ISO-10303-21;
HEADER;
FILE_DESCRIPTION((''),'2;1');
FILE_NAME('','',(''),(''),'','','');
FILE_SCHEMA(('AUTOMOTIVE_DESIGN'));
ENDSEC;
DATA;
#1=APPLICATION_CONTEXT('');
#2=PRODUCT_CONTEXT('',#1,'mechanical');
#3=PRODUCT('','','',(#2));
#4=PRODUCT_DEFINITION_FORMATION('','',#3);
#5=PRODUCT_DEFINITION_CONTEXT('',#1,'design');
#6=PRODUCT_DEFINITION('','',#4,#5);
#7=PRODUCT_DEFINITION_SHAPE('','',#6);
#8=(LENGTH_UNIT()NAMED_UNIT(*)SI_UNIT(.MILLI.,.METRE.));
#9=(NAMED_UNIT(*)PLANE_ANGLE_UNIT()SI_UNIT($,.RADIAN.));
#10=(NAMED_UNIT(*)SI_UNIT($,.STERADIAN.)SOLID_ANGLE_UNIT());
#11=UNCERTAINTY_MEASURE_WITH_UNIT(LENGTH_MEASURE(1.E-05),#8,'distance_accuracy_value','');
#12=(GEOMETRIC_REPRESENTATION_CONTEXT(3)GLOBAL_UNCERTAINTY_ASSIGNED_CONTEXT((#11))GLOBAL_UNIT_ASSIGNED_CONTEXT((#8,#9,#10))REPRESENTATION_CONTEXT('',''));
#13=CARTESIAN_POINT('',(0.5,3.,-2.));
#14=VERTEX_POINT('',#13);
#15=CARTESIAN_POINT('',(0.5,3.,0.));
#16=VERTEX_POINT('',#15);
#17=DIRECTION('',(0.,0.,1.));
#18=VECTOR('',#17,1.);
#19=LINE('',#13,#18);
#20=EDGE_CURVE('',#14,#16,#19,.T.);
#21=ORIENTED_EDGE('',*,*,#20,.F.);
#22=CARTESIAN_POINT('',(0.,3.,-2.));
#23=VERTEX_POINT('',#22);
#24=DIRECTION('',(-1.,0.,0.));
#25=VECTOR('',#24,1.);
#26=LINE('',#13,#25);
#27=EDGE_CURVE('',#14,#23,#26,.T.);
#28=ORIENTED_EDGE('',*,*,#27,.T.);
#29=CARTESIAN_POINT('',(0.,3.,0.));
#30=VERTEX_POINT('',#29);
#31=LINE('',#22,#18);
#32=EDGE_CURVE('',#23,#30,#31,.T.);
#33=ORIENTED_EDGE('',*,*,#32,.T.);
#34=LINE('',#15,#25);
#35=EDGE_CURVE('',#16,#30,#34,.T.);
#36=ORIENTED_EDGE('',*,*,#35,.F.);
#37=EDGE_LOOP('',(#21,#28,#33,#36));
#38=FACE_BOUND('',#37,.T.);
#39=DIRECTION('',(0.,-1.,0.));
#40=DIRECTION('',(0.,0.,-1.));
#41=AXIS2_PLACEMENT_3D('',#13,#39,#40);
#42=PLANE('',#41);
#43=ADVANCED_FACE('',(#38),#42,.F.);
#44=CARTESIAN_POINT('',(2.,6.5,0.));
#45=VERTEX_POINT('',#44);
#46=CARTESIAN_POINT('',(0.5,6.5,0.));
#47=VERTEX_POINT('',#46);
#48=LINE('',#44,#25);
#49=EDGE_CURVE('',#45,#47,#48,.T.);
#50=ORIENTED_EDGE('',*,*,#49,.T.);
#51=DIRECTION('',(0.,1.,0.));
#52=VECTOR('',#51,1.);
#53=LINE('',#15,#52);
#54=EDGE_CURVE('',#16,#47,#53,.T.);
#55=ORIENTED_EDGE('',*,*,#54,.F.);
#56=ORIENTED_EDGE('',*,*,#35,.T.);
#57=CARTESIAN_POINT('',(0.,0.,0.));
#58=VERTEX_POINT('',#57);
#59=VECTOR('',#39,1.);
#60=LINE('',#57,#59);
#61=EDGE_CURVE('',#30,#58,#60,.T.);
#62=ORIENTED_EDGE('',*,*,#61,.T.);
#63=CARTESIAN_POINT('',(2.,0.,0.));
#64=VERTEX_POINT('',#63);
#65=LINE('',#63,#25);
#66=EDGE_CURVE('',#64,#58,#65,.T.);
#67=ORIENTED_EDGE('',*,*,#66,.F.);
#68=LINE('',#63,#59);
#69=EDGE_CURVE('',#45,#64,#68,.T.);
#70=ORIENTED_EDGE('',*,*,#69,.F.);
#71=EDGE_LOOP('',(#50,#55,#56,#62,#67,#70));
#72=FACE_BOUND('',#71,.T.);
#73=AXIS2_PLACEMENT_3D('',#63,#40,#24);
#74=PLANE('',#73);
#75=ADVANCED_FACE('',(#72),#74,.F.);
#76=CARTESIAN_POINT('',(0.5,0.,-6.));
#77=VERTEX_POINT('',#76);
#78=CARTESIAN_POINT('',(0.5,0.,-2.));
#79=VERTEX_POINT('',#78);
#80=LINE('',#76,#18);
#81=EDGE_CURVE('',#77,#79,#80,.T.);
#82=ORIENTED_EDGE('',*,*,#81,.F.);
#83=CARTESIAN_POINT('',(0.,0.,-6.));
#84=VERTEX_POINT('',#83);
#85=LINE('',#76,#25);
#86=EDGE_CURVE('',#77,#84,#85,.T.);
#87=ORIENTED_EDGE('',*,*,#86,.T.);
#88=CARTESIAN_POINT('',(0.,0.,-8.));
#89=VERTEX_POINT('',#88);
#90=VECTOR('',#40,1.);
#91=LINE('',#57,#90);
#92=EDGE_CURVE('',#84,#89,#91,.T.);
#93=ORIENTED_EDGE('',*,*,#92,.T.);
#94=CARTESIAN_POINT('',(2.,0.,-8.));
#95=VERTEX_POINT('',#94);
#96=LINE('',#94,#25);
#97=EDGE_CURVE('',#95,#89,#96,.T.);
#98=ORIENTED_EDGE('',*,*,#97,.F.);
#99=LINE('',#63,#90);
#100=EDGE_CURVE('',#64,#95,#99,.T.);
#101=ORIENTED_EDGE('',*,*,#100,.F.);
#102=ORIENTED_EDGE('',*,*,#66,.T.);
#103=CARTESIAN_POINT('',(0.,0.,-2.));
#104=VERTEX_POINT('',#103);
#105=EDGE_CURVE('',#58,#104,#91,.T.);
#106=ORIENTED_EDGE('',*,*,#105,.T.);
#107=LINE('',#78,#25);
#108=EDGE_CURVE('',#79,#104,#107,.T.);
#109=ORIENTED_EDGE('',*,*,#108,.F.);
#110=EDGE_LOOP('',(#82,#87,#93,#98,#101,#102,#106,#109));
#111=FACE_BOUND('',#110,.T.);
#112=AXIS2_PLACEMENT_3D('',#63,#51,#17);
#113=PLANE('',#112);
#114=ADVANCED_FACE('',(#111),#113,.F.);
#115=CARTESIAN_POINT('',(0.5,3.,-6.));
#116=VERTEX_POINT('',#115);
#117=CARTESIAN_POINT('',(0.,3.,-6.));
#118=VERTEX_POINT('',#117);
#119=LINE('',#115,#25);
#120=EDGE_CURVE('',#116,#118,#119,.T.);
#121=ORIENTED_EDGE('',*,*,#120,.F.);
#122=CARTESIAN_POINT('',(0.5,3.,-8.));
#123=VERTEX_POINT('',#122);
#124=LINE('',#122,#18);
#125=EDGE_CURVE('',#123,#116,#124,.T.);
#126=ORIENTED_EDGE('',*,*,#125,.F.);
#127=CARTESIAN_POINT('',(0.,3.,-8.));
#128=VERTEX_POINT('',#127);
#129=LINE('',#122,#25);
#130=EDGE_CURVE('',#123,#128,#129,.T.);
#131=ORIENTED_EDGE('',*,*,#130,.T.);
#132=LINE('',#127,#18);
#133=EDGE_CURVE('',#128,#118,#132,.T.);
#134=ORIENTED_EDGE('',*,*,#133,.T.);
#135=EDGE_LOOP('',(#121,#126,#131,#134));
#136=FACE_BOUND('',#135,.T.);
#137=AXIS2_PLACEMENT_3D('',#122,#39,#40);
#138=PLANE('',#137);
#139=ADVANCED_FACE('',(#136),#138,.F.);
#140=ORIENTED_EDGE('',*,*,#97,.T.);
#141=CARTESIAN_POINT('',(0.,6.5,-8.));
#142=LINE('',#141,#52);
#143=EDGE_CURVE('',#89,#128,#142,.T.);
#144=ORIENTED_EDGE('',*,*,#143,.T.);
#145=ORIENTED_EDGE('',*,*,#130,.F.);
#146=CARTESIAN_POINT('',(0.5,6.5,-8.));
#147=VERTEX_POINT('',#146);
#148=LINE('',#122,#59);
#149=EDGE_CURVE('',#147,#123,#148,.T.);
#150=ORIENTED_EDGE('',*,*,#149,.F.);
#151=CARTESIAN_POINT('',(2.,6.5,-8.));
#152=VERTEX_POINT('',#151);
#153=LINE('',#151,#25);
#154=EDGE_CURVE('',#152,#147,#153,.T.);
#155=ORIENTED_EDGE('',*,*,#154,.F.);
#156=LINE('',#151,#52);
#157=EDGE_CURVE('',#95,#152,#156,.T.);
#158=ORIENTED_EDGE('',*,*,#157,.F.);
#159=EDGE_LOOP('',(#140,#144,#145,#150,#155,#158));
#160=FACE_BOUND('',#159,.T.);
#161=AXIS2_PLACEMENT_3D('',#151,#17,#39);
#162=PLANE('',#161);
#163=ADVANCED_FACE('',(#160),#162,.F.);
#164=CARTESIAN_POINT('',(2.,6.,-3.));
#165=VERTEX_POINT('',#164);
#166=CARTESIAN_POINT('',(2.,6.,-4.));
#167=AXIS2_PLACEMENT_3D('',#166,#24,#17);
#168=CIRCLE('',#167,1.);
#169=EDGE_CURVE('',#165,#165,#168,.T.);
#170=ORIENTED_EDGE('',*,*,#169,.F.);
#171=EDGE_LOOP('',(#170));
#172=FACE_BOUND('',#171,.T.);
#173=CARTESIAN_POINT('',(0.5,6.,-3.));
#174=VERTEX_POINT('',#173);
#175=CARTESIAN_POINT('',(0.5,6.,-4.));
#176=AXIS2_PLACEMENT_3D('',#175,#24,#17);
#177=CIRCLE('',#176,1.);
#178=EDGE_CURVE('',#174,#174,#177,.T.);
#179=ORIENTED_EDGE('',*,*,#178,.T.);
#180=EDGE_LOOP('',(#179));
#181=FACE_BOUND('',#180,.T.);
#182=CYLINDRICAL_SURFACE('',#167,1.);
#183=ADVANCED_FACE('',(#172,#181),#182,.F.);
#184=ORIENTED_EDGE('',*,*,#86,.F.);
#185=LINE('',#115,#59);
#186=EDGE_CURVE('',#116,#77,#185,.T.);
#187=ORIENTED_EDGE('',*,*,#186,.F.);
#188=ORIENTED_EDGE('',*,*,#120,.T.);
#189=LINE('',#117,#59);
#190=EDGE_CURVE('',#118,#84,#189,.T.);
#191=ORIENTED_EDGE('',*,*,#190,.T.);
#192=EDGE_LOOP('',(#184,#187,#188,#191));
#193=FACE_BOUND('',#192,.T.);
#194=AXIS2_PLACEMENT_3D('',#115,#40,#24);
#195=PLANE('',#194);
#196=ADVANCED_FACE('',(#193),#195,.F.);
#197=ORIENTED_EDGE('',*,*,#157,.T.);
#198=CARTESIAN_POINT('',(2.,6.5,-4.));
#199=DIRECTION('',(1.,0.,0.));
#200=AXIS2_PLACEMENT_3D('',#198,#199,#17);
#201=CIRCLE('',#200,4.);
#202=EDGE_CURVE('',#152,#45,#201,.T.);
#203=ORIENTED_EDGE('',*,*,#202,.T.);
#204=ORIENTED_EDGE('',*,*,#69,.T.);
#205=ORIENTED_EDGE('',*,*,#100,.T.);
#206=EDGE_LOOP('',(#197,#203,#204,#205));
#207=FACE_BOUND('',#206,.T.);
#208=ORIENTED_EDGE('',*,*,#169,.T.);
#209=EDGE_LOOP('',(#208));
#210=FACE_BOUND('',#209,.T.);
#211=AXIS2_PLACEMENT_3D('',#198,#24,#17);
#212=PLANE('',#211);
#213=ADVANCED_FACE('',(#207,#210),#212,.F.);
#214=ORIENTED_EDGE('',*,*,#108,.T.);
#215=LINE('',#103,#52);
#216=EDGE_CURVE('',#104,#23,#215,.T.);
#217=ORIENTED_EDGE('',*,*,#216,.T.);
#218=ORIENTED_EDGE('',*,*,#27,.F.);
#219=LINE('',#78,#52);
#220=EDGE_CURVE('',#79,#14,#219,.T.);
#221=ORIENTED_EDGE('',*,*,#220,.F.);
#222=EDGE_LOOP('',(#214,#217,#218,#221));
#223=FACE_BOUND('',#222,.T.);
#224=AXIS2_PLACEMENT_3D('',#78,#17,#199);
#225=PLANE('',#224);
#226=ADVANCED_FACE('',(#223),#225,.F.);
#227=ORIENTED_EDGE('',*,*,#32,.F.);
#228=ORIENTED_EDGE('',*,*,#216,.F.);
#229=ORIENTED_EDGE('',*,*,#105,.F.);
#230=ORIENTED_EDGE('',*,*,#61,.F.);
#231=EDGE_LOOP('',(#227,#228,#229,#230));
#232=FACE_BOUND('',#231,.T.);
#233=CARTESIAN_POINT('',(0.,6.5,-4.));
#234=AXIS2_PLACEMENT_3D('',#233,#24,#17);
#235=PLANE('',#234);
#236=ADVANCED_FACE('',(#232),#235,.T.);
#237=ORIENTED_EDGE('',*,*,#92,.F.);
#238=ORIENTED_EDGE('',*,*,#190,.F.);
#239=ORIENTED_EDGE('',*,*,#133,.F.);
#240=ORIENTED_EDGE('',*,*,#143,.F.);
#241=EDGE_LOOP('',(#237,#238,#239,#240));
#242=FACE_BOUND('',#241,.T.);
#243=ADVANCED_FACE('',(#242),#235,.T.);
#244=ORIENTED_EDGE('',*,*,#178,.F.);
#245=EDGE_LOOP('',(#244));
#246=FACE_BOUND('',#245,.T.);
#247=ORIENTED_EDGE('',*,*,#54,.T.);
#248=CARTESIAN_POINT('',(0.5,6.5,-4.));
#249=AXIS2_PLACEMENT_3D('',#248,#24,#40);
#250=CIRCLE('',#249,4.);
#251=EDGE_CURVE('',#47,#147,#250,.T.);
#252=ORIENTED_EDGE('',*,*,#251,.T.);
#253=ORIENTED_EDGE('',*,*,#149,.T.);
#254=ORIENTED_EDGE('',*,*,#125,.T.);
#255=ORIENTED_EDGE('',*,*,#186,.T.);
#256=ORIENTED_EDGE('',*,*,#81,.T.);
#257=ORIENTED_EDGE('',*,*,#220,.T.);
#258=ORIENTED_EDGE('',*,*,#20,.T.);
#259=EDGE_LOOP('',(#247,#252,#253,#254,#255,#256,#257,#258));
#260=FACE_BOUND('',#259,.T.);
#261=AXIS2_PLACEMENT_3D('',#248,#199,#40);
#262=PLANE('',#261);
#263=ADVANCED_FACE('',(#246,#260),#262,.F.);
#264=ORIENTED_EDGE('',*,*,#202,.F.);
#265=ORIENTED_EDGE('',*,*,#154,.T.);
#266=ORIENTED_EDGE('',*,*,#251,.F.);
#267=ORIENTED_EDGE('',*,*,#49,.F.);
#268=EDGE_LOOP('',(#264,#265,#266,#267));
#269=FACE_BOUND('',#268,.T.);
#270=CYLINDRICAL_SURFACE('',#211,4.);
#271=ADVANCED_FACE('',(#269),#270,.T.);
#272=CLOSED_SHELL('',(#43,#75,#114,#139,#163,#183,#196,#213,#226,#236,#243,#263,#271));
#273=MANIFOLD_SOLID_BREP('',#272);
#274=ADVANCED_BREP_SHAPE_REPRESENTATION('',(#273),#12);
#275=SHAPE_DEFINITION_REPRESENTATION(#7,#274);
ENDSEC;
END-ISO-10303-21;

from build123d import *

# Parameters (mm, degrees)
BOSS_EXTRUDE1_DEPTH = 2
CUT_EXTRUDE1_DEPTH  = 0.5
SKETCH3_R           = 1
CUT_EXTRUDE2_DEPTH  = 2.5


with BuildPart() as part:
    # Sketch1 → Boss-Extrude1 (new body)
    with BuildSketch(Plane(origin=(0, 0, 0), x_dir=(0, 0, -1), z_dir=(1, 0, 0))):
        with BuildLine():
            Line((0, 0), (0, 6.5))
            ThreePointArc((0, 6.5), (4, 10.5), (8, 6.5))
            Line((8, 6.5), (8, 0))
            Line((8, 0), (0, 0))
        make_face()
    extrude(amount=BOSS_EXTRUDE1_DEPTH)

    # Sketch2 → Cut-Extrude1 (cut)
    with BuildSketch(Plane.ZY):
        with BuildLine():
            Line((-8, 3), (-6, 3))
            Line((-6, 3), (-6, 0))
            Line((-6, 0), (-2, 0))
            Line((-2, 0), (-2, 3))
            Line((-2, 3), (0, 3))
            Line((0, 3), (0, 6.5))
            ThreePointArc((0, 6.5), (-4, 10.5), (-8, 6.5))
            Line((-8, 6.5), (-8, 3))
        make_face()
    extrude(amount=-CUT_EXTRUDE1_DEPTH, mode=Mode.SUBTRACT)

    # Sketch3 → Cut-Extrude2 (cut, through all)
    with BuildSketch(Plane.ZY.offset(-0.5)):
        with Locations((-4, 6)):
            Circle(SKETCH3_R)
    extrude(amount=-CUT_EXTRUDE2_DEPTH, mode=Mode.SUBTRACT)


solid = part.part
